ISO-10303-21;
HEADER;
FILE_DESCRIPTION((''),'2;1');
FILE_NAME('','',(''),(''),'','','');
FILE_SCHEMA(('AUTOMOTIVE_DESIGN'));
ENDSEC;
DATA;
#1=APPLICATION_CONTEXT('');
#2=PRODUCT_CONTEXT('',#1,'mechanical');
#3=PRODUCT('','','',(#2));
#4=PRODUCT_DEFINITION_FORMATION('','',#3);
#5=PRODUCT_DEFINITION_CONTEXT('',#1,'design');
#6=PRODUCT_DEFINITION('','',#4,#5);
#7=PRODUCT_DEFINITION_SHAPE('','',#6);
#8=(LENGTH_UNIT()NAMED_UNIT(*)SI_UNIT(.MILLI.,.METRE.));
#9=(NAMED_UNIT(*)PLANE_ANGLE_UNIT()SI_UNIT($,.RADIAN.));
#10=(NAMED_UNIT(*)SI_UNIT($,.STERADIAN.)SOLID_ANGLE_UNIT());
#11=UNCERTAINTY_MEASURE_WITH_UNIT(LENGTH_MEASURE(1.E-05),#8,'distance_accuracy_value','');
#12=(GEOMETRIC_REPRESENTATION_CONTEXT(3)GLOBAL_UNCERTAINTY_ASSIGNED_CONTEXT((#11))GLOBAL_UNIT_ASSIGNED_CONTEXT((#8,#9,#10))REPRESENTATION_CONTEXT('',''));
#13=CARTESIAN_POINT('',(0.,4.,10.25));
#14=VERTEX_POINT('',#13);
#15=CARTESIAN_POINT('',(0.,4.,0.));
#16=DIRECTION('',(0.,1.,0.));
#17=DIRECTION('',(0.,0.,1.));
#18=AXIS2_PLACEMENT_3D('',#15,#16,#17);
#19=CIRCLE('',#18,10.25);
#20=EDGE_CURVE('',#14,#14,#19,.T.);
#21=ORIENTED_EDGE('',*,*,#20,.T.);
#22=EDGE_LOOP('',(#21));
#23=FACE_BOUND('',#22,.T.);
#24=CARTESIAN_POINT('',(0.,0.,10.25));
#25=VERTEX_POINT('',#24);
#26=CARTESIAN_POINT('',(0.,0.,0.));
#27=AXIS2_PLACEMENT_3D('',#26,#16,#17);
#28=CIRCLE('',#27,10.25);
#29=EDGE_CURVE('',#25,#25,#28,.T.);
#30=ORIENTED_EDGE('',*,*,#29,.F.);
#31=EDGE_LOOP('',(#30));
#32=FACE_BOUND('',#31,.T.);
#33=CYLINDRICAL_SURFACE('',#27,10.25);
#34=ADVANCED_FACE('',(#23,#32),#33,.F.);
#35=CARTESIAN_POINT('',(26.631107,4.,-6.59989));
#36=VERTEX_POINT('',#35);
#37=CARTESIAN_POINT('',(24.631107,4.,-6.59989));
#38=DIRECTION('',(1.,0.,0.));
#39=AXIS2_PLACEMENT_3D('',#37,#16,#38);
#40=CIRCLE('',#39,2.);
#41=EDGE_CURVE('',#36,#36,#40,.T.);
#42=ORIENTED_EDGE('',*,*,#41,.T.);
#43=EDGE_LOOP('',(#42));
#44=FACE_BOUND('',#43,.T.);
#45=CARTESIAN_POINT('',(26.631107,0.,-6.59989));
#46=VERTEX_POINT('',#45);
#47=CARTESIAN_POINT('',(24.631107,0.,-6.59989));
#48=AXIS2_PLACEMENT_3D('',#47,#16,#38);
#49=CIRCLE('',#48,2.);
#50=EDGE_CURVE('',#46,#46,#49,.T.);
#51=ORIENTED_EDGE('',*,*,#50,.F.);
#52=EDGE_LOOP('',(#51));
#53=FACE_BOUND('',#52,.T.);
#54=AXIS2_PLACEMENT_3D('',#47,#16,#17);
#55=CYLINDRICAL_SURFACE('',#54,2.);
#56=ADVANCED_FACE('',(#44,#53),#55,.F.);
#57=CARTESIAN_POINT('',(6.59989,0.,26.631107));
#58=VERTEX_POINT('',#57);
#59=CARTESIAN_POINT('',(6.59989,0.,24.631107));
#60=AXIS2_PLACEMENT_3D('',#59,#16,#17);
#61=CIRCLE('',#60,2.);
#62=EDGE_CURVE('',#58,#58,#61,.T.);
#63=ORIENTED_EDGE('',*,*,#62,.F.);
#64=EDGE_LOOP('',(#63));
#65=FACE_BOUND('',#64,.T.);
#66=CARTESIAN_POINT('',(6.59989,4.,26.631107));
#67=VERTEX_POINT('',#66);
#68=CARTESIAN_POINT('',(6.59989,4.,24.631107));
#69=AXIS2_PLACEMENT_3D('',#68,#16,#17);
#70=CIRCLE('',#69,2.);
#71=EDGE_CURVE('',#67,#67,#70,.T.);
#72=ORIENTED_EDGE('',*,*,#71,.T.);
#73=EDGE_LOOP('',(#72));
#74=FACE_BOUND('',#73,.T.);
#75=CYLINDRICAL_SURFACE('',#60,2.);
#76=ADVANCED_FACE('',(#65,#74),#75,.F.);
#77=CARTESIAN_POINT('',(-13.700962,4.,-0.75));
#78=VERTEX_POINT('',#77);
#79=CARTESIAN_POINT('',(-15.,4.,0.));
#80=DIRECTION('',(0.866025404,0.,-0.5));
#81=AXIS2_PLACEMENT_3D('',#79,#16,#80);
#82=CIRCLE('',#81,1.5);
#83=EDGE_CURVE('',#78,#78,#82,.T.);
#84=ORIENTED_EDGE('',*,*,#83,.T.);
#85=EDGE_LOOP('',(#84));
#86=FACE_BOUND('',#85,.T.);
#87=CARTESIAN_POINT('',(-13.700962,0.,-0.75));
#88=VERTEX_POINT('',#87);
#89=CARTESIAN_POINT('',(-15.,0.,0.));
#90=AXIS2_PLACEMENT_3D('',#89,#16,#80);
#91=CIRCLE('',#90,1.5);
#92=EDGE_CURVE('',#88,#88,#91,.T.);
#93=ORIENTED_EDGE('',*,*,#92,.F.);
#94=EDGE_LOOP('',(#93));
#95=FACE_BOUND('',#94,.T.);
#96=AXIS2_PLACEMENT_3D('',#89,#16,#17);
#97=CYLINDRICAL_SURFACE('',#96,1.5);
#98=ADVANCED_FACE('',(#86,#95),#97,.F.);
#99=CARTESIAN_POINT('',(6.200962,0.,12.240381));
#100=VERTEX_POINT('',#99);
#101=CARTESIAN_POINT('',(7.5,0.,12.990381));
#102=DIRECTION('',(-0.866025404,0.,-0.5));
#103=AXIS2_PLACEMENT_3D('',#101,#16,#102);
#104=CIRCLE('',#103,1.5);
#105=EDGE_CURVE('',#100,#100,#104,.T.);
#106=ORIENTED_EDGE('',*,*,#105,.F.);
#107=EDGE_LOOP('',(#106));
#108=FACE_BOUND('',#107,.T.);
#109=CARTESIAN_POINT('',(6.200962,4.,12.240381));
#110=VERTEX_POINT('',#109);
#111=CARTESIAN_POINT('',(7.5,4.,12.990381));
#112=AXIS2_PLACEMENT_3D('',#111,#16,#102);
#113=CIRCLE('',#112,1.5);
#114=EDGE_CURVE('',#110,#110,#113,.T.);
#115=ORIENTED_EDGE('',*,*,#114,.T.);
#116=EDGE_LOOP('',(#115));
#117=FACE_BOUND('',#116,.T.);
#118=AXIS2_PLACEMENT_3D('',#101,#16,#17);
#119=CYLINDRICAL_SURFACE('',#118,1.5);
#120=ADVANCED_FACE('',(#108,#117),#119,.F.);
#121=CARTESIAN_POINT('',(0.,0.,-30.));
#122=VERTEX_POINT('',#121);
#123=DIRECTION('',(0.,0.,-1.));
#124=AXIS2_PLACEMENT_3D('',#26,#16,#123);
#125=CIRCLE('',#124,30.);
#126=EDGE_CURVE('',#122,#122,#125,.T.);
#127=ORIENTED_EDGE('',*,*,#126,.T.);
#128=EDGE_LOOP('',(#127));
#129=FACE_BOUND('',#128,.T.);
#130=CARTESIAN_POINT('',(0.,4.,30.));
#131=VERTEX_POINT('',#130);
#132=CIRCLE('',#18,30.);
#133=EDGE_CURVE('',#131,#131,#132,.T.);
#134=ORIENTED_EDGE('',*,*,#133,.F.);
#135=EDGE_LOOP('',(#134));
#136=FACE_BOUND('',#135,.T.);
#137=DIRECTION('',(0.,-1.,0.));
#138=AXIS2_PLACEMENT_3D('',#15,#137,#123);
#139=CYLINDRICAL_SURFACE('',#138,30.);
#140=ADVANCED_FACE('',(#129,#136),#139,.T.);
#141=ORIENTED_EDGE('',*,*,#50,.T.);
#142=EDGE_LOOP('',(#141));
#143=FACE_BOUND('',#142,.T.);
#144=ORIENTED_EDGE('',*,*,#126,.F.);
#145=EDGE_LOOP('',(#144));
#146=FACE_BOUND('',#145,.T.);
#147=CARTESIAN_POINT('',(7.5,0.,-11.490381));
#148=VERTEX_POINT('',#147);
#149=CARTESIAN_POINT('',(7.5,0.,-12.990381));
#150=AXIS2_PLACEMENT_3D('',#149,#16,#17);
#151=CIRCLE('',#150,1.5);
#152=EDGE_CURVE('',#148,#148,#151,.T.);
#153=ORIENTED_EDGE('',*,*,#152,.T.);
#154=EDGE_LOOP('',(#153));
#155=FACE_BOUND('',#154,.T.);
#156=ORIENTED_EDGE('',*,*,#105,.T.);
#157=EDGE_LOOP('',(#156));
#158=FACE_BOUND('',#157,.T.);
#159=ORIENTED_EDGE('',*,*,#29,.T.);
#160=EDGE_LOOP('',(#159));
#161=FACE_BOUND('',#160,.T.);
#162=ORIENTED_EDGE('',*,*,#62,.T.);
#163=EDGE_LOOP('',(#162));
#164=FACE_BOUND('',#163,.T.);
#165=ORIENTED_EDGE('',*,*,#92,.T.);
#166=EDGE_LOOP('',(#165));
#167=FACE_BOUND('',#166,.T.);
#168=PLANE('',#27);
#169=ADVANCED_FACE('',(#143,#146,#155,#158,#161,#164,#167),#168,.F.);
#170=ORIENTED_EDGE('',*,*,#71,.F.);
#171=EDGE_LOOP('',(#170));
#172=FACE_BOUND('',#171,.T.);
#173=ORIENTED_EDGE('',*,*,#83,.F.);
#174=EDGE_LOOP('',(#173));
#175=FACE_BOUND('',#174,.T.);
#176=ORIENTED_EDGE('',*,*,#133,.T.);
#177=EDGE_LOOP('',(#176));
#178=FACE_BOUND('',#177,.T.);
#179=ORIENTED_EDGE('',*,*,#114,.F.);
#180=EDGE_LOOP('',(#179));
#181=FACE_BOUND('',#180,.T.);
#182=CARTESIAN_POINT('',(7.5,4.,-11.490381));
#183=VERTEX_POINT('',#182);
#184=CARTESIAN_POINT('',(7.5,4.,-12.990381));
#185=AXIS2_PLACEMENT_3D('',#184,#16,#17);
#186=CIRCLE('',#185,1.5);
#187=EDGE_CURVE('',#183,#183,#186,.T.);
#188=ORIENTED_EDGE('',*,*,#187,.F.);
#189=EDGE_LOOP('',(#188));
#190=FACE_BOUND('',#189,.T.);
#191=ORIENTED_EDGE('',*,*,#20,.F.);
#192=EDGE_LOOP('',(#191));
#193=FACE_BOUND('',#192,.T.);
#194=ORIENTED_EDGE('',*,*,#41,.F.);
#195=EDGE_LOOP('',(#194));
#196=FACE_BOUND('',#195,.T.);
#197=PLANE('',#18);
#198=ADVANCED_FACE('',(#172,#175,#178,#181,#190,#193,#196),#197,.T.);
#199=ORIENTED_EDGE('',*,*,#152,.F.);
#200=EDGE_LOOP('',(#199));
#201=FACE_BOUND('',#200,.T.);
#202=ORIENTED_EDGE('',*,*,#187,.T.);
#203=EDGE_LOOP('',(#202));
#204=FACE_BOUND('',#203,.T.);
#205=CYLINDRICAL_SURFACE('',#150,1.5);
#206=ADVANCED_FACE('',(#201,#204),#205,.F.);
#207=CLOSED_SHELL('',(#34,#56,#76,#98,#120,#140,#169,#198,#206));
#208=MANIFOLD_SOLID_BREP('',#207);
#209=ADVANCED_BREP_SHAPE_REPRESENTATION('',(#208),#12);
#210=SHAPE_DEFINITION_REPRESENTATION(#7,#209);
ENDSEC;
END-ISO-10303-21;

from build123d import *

# Parameters (mm, degrees)
BOSS_EXTRUDE1_DEPTH = 4
SKETCH2_R           = 1.5
CUT_EXTRUDE1_DEPTH  = 4
CIRPATTERN1_COUNT   = 3
SKETCH3_R           = 10.25
CUT_EXTRUDE2_DEPTH  = 4
SKETCH4_R           = 2
CUT_EXTRUDE3_DEPTH  = 4
CIRPATTERN2_COUNT   = 2
CIRPATTERN2_ANGLE   = 90


with BuildPart() as part:
    # Sketch1 → Boss-Extrude1 (new body)
    with BuildSketch(Plane(origin=(0, 0, 0), x_dir=(1, 0, 0), z_dir=(0, 1, 0))):
        with BuildLine():
            ThreePointArc((-30, 0), (0, 30), (30, 0))
            ThreePointArc((30, 0), (0, -30), (-30, 0))
        make_face()
    extrude(amount=BOSS_EXTRUDE1_DEPTH)

    # Sketch2 → Cut-Extrude1 (cut)
    with BuildSketch(Plane(origin=(0, 4, 0), x_dir=(1, 0, 0), z_dir=(0, 1, 0))):
        with Locations(Location((7.5, 12.990381057, 0), (0, 0, 270))):
            Circle(SKETCH2_R)
    cut_extrude1 = extrude(amount=-CUT_EXTRUDE1_DEPTH, mode=Mode.SUBTRACT)

    # CirPattern1: Cut-Extrude1 ×3 about axis
    cirpattern1_axis = Axis((0, 0, 0), (0, 1, 0))
    for i in range(1, CIRPATTERN1_COUNT):
        add(cut_extrude1.rotate(cirpattern1_axis, i * 360 / CIRPATTERN1_COUNT), mode=Mode.SUBTRACT)

    # Sketch3 → Cut-Extrude2 (cut)
    with BuildSketch(Plane(origin=(0, 4, 0), x_dir=(1, 0, 0), z_dir=(0, 1, 0))):
        with Locations(Location((0, 0, 0), (0, 0, 270))):
            Circle(SKETCH3_R)
    extrude(amount=-CUT_EXTRUDE2_DEPTH, mode=Mode.SUBTRACT)

    # Sketch4 → Cut-Extrude3 (cut)
    with BuildSketch(Plane(origin=(0, 4, 0), x_dir=(1, 0, 0), z_dir=(0, 1, 0))):
        with Locations(Location((6.59989, -24.631107405, 0), (0, 0, 270))):
            Circle(SKETCH4_R)
    cut_extrude3 = extrude(amount=-CUT_EXTRUDE3_DEPTH, mode=Mode.SUBTRACT)

    # CirPattern2: Cut-Extrude3 ×2 about axis
    cirpattern2_axis = Axis((0, 4, 0), (0, 1, 0))
    for i in range(1, CIRPATTERN2_COUNT):
        add(cut_extrude3.rotate(cirpattern2_axis, i * CIRPATTERN2_ANGLE / (CIRPATTERN2_COUNT - 1)), mode=Mode.SUBTRACT)


solid = part.part
